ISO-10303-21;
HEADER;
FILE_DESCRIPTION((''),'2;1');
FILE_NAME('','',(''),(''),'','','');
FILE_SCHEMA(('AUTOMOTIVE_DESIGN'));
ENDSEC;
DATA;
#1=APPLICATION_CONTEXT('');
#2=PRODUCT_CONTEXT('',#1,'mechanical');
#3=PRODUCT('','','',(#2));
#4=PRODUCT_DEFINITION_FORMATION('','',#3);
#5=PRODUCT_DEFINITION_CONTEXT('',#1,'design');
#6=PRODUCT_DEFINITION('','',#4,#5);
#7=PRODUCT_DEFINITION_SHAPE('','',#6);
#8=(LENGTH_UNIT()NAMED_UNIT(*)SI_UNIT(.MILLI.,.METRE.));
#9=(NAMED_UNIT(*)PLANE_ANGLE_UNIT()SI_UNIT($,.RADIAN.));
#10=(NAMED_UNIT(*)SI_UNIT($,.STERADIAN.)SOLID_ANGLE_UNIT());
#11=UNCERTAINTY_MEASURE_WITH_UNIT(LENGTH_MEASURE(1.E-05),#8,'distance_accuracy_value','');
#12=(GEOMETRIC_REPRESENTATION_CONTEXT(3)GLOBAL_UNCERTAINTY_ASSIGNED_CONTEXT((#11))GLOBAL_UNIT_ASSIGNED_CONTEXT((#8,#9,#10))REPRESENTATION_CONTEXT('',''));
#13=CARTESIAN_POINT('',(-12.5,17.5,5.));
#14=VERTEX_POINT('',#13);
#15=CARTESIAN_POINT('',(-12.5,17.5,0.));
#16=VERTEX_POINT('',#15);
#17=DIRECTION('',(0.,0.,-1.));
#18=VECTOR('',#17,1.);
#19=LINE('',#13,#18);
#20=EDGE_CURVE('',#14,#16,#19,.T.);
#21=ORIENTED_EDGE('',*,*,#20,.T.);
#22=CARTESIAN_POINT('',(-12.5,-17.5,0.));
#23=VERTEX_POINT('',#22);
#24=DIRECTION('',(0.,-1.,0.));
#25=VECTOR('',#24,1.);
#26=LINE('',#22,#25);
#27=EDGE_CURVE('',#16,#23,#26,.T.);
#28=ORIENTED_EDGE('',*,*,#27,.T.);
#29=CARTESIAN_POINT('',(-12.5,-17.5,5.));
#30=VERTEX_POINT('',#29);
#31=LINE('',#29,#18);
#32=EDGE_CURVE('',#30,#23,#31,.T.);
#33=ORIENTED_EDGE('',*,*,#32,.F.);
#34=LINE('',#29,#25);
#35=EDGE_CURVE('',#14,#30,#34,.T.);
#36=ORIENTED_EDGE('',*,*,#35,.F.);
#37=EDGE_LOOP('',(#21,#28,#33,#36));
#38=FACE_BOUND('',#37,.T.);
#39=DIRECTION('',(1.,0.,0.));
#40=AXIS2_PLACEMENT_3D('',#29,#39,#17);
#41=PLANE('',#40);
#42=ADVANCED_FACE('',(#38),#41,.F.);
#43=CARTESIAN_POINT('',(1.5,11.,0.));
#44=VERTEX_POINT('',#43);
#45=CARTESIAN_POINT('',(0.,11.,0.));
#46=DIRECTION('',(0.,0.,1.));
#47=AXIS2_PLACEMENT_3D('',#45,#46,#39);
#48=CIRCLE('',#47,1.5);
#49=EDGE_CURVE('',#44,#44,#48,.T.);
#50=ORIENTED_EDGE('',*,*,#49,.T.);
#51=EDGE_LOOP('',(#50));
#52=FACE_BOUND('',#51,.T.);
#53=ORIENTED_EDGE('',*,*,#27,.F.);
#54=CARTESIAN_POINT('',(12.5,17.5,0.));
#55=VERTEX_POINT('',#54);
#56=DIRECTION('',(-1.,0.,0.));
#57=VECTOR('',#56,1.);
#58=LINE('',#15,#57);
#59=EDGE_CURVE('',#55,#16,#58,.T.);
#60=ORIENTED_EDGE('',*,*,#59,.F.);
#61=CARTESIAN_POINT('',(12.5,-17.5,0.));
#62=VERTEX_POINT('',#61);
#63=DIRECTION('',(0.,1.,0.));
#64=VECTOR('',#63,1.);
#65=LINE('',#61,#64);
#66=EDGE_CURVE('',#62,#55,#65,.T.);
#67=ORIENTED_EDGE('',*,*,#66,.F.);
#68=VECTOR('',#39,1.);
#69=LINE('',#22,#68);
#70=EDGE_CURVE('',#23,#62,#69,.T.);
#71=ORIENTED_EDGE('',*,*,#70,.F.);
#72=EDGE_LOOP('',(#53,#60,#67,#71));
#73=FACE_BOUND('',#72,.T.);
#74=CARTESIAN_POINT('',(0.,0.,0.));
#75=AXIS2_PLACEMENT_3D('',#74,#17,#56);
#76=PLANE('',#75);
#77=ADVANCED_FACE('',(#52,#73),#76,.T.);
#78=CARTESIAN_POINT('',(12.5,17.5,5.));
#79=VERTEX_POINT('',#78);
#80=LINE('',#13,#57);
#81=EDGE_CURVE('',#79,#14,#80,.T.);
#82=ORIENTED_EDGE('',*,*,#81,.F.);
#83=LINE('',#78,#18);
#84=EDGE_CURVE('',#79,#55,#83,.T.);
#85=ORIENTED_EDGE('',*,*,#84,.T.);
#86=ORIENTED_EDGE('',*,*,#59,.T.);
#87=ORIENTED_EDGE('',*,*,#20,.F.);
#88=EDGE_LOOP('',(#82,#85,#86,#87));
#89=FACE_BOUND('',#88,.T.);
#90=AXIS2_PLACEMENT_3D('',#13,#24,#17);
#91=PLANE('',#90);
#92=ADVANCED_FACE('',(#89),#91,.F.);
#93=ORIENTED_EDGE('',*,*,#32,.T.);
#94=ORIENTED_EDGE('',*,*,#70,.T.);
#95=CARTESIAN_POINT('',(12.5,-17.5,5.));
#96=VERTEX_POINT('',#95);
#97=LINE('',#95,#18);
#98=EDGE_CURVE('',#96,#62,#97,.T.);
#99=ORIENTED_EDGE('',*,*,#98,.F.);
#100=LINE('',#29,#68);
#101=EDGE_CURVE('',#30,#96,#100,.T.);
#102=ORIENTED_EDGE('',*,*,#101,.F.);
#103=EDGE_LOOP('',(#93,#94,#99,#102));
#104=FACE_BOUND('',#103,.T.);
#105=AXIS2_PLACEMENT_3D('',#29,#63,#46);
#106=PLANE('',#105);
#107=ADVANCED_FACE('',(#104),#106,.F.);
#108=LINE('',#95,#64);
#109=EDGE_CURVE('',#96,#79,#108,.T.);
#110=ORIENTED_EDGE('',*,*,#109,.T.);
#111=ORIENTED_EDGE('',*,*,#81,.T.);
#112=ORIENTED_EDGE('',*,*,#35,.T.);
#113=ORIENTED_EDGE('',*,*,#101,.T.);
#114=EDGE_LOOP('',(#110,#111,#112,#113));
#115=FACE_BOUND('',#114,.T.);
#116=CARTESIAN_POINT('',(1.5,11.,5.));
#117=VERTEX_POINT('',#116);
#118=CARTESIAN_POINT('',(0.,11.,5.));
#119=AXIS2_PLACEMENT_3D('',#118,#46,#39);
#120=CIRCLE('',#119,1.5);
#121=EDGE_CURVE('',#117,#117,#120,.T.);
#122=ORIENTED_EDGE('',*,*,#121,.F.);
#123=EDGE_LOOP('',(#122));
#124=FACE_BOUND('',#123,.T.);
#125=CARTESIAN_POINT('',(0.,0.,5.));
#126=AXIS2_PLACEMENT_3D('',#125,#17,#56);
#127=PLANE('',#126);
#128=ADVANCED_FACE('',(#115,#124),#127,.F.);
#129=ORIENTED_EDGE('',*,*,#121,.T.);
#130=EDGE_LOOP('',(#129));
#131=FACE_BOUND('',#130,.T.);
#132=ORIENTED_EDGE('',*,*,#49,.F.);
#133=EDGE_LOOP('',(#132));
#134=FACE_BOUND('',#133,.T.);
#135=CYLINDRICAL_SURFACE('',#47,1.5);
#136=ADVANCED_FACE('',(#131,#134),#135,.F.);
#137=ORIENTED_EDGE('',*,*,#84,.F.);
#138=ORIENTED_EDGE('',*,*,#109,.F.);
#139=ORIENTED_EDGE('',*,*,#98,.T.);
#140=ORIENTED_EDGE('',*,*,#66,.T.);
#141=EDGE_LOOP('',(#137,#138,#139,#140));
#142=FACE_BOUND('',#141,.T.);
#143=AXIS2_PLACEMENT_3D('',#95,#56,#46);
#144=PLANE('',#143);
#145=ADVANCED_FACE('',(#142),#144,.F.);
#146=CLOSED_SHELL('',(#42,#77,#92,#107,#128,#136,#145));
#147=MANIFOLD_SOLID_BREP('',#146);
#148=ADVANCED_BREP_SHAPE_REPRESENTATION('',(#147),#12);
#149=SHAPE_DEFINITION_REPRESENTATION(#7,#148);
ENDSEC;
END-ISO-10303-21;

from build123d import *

# Parameters (mm, degrees)
SKETCH2_W           = 25
SKETCH2_H           = 35
BOSS_EXTRUDE1_DEPTH = 5
SKETCH3_R           = 1.5
CUT_EXTRUDE1_DEPTH  = 23.079402166


with BuildPart() as part:
    # Sketch2 → Boss-Extrude1 (new body)
    with BuildSketch(Plane.XY):
        Rectangle(SKETCH2_W, SKETCH2_H)
    extrude(amount=BOSS_EXTRUDE1_DEPTH)

    # Sketch3 → Cut-Extrude1 (cut, through all)
    with BuildSketch(Plane.XY.offset(5)):
        with Locations((0, 11)):
            Circle(SKETCH3_R)
    extrude(amount=-CUT_EXTRUDE1_DEPTH, mode=Mode.SUBTRACT)


solid = part.part
